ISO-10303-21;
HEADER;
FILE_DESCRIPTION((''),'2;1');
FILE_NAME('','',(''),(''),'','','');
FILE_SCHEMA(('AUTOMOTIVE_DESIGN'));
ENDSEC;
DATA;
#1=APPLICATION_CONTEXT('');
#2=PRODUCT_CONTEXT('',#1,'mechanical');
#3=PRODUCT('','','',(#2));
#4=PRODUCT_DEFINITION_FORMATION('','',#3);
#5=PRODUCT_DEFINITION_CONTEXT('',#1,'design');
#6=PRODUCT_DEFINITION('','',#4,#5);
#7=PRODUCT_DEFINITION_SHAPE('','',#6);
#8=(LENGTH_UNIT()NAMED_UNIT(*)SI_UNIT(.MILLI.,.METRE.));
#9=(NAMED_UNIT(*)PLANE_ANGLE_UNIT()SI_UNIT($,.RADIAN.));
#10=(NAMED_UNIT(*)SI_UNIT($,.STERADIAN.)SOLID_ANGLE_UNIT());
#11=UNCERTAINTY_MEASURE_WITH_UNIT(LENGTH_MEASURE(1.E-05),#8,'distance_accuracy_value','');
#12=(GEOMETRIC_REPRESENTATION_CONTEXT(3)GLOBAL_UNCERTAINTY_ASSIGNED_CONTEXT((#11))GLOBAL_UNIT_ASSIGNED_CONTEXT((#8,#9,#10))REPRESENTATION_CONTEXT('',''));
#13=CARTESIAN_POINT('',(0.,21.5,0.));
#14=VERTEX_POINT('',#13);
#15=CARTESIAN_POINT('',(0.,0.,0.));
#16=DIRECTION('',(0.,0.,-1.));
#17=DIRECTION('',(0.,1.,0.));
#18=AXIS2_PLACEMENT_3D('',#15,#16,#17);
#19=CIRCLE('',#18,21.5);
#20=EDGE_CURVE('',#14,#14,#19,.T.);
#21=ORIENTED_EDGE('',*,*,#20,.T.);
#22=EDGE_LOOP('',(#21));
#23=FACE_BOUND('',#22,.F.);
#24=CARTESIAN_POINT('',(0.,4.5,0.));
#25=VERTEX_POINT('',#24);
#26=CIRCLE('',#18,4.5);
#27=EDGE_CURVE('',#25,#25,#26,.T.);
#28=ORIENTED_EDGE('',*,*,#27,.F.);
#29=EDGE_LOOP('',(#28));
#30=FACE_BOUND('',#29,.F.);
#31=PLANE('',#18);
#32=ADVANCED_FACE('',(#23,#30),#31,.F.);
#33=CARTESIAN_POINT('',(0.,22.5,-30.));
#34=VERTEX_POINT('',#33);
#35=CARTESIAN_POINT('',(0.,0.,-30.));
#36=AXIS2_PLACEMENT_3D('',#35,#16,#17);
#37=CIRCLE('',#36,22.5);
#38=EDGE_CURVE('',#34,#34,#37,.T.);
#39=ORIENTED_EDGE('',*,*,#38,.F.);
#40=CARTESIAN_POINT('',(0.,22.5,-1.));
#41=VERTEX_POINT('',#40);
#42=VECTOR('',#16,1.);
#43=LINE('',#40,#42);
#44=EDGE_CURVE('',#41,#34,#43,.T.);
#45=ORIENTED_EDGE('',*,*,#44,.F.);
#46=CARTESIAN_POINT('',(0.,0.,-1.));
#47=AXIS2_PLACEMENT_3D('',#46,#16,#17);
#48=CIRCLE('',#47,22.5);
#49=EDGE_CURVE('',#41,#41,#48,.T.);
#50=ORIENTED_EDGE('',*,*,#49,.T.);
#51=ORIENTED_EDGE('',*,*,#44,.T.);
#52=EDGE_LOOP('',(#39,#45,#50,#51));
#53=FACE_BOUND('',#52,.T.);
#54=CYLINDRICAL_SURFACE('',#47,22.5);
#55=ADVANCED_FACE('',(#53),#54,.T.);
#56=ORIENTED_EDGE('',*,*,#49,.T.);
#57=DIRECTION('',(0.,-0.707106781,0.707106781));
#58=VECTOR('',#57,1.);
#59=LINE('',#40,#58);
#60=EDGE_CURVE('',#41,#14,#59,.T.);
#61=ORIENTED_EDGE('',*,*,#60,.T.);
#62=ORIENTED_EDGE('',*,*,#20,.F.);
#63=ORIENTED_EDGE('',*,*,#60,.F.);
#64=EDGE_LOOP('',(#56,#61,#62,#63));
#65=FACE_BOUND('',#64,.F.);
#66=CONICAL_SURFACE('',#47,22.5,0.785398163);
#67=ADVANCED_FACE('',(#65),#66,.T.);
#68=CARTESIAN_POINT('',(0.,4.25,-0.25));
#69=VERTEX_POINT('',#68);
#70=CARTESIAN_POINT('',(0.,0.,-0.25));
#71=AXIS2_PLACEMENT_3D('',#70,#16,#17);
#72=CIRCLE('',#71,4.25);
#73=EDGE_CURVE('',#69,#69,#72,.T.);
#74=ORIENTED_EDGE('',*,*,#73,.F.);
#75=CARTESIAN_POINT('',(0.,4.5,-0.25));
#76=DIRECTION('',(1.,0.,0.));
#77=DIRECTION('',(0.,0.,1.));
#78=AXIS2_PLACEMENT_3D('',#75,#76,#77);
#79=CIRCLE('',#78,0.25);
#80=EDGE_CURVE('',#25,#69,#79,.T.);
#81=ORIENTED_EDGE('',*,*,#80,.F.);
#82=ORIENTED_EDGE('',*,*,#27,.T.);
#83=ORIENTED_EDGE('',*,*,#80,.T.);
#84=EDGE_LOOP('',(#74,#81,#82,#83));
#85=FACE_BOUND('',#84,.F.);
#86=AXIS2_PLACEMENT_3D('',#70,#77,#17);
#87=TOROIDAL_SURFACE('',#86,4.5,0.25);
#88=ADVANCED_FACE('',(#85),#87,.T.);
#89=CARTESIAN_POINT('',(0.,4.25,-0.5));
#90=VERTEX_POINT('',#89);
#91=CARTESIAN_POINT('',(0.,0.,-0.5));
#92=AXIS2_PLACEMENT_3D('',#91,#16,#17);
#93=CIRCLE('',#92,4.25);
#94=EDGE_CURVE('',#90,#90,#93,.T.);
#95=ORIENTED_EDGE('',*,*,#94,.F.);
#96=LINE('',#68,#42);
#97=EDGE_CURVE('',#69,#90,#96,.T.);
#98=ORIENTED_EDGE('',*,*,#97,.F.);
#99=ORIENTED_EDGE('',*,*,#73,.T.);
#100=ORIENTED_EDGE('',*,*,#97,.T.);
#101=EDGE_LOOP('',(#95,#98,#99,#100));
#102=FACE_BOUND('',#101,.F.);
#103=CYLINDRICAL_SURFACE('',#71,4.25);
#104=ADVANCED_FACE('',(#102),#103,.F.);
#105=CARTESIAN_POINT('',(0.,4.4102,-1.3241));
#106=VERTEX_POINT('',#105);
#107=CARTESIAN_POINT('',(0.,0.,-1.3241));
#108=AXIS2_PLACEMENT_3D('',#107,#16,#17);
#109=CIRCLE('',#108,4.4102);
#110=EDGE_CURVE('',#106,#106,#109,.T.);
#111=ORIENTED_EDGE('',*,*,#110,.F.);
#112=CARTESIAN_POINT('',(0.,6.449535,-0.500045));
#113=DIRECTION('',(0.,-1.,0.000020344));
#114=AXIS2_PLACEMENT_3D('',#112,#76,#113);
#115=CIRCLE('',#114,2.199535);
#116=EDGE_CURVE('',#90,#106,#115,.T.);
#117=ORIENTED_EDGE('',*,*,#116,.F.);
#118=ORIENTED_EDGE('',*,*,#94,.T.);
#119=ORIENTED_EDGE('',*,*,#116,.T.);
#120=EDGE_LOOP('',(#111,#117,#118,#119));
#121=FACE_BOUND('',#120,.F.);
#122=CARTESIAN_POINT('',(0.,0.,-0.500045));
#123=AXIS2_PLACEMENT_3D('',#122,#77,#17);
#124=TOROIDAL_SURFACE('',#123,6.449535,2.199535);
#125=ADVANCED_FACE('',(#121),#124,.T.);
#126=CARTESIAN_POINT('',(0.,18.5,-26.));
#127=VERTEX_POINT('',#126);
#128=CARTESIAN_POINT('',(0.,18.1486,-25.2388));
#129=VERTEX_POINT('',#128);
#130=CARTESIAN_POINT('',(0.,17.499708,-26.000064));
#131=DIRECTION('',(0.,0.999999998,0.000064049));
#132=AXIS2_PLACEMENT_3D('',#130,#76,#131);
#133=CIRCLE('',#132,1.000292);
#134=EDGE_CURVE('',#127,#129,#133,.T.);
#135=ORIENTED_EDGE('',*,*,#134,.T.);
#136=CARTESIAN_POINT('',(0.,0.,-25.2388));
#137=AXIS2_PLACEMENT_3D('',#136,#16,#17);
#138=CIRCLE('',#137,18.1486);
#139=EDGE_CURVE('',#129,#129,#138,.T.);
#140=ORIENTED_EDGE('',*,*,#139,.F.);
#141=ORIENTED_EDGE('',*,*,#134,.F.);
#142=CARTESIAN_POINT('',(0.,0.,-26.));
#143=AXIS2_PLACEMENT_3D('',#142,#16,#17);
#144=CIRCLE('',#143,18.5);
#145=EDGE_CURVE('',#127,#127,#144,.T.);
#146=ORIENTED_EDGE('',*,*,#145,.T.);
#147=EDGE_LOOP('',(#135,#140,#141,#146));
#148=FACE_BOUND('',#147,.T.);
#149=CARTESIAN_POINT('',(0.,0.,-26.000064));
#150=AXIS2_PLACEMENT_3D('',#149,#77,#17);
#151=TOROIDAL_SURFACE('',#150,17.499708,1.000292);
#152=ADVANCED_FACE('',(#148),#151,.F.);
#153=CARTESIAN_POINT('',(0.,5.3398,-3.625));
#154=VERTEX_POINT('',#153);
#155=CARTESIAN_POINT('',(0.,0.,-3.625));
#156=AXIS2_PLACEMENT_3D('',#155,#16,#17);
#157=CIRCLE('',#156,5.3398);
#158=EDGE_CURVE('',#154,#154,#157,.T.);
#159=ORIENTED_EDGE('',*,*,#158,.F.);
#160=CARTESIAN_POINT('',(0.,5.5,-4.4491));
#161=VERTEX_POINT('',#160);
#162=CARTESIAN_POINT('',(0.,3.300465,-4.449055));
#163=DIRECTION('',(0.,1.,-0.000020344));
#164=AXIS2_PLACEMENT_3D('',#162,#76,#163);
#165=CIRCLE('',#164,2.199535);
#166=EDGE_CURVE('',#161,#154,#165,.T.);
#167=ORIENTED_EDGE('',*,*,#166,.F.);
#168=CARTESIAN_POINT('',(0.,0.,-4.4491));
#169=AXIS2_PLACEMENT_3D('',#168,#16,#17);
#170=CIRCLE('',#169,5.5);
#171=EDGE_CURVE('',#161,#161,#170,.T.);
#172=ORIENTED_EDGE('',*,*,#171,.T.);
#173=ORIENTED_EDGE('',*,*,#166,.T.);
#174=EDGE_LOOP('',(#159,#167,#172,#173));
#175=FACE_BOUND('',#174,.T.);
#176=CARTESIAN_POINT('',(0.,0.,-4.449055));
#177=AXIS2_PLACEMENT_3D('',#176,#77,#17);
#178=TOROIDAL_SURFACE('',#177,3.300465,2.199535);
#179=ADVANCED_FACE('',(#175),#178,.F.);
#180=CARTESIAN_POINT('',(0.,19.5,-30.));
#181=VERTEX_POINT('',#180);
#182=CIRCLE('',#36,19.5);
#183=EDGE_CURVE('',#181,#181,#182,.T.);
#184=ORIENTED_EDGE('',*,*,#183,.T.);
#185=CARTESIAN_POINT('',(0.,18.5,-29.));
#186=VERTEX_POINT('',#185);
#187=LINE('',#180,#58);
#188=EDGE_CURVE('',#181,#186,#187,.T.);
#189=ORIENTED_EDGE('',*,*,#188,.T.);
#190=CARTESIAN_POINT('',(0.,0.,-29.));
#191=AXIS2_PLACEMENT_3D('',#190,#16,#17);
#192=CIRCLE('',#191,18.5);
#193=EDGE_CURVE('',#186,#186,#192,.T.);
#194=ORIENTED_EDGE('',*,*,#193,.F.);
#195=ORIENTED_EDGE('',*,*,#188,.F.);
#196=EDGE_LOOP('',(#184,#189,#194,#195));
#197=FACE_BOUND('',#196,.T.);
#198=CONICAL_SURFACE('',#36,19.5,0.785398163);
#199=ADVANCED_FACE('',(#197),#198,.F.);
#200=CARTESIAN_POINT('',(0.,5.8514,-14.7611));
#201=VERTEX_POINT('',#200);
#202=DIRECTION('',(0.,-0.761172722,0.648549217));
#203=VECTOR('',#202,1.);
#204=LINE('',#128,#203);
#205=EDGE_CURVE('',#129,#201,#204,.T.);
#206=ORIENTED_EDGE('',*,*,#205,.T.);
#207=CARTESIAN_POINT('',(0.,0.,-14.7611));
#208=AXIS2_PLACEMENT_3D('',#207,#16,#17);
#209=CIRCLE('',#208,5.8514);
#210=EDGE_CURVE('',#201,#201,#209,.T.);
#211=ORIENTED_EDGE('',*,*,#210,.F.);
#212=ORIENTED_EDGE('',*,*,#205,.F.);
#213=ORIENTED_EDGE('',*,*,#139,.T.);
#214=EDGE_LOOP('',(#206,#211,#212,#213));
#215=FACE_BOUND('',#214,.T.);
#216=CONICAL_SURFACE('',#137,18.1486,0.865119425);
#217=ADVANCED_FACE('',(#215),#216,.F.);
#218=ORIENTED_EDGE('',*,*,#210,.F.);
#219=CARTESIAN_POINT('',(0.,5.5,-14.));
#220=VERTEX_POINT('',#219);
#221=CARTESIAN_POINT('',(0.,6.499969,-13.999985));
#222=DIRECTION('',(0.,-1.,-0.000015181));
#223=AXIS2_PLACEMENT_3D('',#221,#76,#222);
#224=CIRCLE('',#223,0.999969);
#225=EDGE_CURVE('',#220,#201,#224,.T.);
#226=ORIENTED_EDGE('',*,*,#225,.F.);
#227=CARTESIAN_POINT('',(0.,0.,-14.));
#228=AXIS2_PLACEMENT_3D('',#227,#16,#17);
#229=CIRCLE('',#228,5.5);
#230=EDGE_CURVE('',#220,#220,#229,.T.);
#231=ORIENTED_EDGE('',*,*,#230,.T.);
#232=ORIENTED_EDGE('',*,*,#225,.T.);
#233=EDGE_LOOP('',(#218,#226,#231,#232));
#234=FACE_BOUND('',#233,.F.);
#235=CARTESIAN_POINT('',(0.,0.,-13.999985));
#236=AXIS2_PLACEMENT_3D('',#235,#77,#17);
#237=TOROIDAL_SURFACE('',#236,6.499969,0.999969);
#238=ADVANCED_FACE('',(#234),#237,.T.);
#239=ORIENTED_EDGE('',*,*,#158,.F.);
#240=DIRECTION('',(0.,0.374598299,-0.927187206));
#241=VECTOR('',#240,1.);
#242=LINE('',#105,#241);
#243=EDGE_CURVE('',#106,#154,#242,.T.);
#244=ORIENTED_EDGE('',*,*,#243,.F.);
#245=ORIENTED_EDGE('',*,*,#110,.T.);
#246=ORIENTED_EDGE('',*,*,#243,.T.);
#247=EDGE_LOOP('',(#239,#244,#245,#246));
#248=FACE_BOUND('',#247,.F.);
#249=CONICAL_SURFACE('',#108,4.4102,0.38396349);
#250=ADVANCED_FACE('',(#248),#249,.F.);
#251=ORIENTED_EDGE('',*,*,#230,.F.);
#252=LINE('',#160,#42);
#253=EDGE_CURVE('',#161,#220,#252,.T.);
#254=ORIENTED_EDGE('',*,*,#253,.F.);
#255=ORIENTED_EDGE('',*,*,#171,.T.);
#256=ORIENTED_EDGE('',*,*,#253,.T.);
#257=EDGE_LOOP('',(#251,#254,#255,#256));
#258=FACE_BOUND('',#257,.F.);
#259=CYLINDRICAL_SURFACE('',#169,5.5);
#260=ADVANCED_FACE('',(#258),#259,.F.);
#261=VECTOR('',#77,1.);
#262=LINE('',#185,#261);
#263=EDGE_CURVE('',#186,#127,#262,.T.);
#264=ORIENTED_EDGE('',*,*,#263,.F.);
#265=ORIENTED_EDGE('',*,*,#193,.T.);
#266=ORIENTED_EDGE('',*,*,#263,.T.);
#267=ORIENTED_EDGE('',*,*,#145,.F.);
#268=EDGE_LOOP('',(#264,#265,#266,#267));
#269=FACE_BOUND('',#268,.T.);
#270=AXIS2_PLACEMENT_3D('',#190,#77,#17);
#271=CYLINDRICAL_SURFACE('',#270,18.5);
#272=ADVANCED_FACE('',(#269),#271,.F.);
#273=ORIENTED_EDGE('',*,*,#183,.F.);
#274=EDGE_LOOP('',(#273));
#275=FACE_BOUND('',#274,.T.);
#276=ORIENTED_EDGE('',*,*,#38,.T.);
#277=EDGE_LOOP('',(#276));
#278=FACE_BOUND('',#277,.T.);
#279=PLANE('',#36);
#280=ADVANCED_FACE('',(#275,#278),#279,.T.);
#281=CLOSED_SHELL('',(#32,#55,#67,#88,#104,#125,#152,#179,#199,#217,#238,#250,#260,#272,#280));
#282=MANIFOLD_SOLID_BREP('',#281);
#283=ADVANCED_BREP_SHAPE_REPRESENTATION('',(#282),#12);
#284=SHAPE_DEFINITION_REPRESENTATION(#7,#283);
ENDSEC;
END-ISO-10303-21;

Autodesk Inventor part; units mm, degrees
ref_plane "YZ Plane" through (0, 0, 0) normal (1, 0, 0) x (0, 1, 0)
ref_plane "XZ Plane" through (0, 0, 0) normal (0, 1, 0) x (-1, 0, 0)
ref_plane "XY Plane" through (0, 0, 0) normal (0, 0, 1) x (1, 0, 0)
sketch "Esquisse1" plane through (0, 0, 0) normal (1, 0, 0) x (0, 1, 0)
  line L0 (0, 0) -> (0, -64.1706)
  line L1 (22.5, -1) -> (22.5, -30)
  line L2 (22.5, -1) -> (21.5, 0)
  line L3 (21.5, 0) -> (4.5, 0)
  arc A0 (4.5, 0) -> (4.25, -0.25) centre (4.5, -0.25) ccw
  line L4 (4.25, -0.25) -> (4.25, -0.5)
  arc A1 (4.25, -0.5) -> (4.4102, -1.3241) centre (6.45, -0.5) ccw
  line L5 (4, -0.25) -> (4, -0.5) construction
  line L6 (4.4102, -1.3241) -> (5.3398, -3.625)
  arc A2 (5.5, -4.4491) -> (5.3398, -3.625) centre (3.3, -4.4491) ccw
  line L7 (5.5, -4.4491) -> (5.5, -14)
  line L8 (5.25, -4.4491) -> (5.25, -14) construction
  arc A3 (5.5, -14) -> (5.8514, -14.7611) centre (6.4999, -14) ccw
  line L9 (22.5, -30) -> (19.5, -30)
  line L10 (19.5, -30) -> (18.5, -29)
  line L11 (18.5, -29) -> (18.5, -26)
  line L12 (18.1486, -25.2388) -> (5.8514, -14.7611)
  arc A4 (18.5, -26) -> (18.1486, -25.2388) centre (17.5, -26) ccw
  dimension "d0" = 45
  dimension "d1" = 1
  dimension "d2" = 1
  dimension "d3" = 0.25
  dimension "d4" = 2.2
  dimension "d5" = 0.5
  dimension "d6" = 0.25
  dimension "d7" = 8
  dimension "d8" = 0.25
  dimension "d9" = 10.5
  dimension "d10" = 158
  dimension "d11" = 0.9999
  dimension "d12" = 1
  dimension "d13" = 1
  dimension "d14" = 4
  dimension "d15" = 1
  dimension "d16" = 30
  dimension "d17" = 14
  dimension "d20" = 4
revolve "Révolution1" add sketch "Esquisse1" angle 360 about axis through (0, 0, 0) along (0, 0, -1)
equation "\"d2\" = d1"
equation "\"d13\" = d12"
properties part number "support_entree_air"
